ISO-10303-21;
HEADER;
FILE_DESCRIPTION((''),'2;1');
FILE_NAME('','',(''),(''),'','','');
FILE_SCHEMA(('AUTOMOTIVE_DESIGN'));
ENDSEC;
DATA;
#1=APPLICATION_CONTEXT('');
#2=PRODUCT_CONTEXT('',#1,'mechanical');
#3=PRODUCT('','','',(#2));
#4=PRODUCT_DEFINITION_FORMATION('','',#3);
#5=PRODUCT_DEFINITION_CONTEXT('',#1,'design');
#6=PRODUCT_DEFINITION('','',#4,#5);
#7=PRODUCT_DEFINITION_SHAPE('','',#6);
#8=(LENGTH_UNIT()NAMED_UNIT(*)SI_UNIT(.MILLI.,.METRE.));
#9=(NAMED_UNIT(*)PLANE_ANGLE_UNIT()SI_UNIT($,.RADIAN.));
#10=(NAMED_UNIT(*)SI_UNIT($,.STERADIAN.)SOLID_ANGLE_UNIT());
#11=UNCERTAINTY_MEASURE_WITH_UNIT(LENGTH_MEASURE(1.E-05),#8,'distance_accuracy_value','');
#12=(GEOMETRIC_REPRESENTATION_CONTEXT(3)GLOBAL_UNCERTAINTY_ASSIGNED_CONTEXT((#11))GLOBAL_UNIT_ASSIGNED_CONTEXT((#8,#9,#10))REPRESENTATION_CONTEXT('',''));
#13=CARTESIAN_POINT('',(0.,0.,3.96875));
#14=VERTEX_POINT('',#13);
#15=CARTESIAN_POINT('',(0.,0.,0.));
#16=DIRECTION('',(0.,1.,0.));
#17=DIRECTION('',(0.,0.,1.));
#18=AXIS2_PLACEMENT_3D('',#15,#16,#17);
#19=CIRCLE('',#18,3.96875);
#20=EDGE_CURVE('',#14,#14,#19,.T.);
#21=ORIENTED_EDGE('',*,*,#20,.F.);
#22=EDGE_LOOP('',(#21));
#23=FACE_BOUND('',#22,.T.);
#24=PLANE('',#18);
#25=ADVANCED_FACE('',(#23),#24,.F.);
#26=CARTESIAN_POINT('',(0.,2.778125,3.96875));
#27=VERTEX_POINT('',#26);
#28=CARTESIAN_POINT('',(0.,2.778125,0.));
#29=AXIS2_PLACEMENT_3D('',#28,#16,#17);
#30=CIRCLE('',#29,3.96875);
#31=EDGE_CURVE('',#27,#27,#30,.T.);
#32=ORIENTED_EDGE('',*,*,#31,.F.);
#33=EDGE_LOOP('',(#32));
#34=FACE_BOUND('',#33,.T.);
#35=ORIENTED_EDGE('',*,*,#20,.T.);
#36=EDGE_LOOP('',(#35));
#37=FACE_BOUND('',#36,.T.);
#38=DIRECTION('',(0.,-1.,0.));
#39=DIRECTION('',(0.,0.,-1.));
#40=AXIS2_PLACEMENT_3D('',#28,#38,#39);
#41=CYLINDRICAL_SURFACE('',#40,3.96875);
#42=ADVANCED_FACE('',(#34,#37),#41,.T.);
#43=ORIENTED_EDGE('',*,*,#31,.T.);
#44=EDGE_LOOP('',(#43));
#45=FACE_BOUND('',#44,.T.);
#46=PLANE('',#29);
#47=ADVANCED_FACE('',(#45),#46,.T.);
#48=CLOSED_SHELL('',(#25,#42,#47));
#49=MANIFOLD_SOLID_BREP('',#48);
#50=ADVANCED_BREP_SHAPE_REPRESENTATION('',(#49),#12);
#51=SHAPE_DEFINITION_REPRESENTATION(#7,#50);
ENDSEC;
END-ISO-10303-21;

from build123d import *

# Parameters (mm, degrees)
SKETCH1_R           = 3.96875
BOSS_EXTRUDE1_DEPTH = 2.778125


with BuildPart() as part:
    # Sketch1 → Boss-Extrude1 (new body)
    with BuildSketch(Plane(origin=(0, 0, 0), x_dir=(1, 0, 0), z_dir=(0, 1, 0))):
        with Locations(Location((0, 0, 0), (0, 0, 270))):
            Circle(SKETCH1_R)
    extrude(amount=BOSS_EXTRUDE1_DEPTH)


solid = part.part
